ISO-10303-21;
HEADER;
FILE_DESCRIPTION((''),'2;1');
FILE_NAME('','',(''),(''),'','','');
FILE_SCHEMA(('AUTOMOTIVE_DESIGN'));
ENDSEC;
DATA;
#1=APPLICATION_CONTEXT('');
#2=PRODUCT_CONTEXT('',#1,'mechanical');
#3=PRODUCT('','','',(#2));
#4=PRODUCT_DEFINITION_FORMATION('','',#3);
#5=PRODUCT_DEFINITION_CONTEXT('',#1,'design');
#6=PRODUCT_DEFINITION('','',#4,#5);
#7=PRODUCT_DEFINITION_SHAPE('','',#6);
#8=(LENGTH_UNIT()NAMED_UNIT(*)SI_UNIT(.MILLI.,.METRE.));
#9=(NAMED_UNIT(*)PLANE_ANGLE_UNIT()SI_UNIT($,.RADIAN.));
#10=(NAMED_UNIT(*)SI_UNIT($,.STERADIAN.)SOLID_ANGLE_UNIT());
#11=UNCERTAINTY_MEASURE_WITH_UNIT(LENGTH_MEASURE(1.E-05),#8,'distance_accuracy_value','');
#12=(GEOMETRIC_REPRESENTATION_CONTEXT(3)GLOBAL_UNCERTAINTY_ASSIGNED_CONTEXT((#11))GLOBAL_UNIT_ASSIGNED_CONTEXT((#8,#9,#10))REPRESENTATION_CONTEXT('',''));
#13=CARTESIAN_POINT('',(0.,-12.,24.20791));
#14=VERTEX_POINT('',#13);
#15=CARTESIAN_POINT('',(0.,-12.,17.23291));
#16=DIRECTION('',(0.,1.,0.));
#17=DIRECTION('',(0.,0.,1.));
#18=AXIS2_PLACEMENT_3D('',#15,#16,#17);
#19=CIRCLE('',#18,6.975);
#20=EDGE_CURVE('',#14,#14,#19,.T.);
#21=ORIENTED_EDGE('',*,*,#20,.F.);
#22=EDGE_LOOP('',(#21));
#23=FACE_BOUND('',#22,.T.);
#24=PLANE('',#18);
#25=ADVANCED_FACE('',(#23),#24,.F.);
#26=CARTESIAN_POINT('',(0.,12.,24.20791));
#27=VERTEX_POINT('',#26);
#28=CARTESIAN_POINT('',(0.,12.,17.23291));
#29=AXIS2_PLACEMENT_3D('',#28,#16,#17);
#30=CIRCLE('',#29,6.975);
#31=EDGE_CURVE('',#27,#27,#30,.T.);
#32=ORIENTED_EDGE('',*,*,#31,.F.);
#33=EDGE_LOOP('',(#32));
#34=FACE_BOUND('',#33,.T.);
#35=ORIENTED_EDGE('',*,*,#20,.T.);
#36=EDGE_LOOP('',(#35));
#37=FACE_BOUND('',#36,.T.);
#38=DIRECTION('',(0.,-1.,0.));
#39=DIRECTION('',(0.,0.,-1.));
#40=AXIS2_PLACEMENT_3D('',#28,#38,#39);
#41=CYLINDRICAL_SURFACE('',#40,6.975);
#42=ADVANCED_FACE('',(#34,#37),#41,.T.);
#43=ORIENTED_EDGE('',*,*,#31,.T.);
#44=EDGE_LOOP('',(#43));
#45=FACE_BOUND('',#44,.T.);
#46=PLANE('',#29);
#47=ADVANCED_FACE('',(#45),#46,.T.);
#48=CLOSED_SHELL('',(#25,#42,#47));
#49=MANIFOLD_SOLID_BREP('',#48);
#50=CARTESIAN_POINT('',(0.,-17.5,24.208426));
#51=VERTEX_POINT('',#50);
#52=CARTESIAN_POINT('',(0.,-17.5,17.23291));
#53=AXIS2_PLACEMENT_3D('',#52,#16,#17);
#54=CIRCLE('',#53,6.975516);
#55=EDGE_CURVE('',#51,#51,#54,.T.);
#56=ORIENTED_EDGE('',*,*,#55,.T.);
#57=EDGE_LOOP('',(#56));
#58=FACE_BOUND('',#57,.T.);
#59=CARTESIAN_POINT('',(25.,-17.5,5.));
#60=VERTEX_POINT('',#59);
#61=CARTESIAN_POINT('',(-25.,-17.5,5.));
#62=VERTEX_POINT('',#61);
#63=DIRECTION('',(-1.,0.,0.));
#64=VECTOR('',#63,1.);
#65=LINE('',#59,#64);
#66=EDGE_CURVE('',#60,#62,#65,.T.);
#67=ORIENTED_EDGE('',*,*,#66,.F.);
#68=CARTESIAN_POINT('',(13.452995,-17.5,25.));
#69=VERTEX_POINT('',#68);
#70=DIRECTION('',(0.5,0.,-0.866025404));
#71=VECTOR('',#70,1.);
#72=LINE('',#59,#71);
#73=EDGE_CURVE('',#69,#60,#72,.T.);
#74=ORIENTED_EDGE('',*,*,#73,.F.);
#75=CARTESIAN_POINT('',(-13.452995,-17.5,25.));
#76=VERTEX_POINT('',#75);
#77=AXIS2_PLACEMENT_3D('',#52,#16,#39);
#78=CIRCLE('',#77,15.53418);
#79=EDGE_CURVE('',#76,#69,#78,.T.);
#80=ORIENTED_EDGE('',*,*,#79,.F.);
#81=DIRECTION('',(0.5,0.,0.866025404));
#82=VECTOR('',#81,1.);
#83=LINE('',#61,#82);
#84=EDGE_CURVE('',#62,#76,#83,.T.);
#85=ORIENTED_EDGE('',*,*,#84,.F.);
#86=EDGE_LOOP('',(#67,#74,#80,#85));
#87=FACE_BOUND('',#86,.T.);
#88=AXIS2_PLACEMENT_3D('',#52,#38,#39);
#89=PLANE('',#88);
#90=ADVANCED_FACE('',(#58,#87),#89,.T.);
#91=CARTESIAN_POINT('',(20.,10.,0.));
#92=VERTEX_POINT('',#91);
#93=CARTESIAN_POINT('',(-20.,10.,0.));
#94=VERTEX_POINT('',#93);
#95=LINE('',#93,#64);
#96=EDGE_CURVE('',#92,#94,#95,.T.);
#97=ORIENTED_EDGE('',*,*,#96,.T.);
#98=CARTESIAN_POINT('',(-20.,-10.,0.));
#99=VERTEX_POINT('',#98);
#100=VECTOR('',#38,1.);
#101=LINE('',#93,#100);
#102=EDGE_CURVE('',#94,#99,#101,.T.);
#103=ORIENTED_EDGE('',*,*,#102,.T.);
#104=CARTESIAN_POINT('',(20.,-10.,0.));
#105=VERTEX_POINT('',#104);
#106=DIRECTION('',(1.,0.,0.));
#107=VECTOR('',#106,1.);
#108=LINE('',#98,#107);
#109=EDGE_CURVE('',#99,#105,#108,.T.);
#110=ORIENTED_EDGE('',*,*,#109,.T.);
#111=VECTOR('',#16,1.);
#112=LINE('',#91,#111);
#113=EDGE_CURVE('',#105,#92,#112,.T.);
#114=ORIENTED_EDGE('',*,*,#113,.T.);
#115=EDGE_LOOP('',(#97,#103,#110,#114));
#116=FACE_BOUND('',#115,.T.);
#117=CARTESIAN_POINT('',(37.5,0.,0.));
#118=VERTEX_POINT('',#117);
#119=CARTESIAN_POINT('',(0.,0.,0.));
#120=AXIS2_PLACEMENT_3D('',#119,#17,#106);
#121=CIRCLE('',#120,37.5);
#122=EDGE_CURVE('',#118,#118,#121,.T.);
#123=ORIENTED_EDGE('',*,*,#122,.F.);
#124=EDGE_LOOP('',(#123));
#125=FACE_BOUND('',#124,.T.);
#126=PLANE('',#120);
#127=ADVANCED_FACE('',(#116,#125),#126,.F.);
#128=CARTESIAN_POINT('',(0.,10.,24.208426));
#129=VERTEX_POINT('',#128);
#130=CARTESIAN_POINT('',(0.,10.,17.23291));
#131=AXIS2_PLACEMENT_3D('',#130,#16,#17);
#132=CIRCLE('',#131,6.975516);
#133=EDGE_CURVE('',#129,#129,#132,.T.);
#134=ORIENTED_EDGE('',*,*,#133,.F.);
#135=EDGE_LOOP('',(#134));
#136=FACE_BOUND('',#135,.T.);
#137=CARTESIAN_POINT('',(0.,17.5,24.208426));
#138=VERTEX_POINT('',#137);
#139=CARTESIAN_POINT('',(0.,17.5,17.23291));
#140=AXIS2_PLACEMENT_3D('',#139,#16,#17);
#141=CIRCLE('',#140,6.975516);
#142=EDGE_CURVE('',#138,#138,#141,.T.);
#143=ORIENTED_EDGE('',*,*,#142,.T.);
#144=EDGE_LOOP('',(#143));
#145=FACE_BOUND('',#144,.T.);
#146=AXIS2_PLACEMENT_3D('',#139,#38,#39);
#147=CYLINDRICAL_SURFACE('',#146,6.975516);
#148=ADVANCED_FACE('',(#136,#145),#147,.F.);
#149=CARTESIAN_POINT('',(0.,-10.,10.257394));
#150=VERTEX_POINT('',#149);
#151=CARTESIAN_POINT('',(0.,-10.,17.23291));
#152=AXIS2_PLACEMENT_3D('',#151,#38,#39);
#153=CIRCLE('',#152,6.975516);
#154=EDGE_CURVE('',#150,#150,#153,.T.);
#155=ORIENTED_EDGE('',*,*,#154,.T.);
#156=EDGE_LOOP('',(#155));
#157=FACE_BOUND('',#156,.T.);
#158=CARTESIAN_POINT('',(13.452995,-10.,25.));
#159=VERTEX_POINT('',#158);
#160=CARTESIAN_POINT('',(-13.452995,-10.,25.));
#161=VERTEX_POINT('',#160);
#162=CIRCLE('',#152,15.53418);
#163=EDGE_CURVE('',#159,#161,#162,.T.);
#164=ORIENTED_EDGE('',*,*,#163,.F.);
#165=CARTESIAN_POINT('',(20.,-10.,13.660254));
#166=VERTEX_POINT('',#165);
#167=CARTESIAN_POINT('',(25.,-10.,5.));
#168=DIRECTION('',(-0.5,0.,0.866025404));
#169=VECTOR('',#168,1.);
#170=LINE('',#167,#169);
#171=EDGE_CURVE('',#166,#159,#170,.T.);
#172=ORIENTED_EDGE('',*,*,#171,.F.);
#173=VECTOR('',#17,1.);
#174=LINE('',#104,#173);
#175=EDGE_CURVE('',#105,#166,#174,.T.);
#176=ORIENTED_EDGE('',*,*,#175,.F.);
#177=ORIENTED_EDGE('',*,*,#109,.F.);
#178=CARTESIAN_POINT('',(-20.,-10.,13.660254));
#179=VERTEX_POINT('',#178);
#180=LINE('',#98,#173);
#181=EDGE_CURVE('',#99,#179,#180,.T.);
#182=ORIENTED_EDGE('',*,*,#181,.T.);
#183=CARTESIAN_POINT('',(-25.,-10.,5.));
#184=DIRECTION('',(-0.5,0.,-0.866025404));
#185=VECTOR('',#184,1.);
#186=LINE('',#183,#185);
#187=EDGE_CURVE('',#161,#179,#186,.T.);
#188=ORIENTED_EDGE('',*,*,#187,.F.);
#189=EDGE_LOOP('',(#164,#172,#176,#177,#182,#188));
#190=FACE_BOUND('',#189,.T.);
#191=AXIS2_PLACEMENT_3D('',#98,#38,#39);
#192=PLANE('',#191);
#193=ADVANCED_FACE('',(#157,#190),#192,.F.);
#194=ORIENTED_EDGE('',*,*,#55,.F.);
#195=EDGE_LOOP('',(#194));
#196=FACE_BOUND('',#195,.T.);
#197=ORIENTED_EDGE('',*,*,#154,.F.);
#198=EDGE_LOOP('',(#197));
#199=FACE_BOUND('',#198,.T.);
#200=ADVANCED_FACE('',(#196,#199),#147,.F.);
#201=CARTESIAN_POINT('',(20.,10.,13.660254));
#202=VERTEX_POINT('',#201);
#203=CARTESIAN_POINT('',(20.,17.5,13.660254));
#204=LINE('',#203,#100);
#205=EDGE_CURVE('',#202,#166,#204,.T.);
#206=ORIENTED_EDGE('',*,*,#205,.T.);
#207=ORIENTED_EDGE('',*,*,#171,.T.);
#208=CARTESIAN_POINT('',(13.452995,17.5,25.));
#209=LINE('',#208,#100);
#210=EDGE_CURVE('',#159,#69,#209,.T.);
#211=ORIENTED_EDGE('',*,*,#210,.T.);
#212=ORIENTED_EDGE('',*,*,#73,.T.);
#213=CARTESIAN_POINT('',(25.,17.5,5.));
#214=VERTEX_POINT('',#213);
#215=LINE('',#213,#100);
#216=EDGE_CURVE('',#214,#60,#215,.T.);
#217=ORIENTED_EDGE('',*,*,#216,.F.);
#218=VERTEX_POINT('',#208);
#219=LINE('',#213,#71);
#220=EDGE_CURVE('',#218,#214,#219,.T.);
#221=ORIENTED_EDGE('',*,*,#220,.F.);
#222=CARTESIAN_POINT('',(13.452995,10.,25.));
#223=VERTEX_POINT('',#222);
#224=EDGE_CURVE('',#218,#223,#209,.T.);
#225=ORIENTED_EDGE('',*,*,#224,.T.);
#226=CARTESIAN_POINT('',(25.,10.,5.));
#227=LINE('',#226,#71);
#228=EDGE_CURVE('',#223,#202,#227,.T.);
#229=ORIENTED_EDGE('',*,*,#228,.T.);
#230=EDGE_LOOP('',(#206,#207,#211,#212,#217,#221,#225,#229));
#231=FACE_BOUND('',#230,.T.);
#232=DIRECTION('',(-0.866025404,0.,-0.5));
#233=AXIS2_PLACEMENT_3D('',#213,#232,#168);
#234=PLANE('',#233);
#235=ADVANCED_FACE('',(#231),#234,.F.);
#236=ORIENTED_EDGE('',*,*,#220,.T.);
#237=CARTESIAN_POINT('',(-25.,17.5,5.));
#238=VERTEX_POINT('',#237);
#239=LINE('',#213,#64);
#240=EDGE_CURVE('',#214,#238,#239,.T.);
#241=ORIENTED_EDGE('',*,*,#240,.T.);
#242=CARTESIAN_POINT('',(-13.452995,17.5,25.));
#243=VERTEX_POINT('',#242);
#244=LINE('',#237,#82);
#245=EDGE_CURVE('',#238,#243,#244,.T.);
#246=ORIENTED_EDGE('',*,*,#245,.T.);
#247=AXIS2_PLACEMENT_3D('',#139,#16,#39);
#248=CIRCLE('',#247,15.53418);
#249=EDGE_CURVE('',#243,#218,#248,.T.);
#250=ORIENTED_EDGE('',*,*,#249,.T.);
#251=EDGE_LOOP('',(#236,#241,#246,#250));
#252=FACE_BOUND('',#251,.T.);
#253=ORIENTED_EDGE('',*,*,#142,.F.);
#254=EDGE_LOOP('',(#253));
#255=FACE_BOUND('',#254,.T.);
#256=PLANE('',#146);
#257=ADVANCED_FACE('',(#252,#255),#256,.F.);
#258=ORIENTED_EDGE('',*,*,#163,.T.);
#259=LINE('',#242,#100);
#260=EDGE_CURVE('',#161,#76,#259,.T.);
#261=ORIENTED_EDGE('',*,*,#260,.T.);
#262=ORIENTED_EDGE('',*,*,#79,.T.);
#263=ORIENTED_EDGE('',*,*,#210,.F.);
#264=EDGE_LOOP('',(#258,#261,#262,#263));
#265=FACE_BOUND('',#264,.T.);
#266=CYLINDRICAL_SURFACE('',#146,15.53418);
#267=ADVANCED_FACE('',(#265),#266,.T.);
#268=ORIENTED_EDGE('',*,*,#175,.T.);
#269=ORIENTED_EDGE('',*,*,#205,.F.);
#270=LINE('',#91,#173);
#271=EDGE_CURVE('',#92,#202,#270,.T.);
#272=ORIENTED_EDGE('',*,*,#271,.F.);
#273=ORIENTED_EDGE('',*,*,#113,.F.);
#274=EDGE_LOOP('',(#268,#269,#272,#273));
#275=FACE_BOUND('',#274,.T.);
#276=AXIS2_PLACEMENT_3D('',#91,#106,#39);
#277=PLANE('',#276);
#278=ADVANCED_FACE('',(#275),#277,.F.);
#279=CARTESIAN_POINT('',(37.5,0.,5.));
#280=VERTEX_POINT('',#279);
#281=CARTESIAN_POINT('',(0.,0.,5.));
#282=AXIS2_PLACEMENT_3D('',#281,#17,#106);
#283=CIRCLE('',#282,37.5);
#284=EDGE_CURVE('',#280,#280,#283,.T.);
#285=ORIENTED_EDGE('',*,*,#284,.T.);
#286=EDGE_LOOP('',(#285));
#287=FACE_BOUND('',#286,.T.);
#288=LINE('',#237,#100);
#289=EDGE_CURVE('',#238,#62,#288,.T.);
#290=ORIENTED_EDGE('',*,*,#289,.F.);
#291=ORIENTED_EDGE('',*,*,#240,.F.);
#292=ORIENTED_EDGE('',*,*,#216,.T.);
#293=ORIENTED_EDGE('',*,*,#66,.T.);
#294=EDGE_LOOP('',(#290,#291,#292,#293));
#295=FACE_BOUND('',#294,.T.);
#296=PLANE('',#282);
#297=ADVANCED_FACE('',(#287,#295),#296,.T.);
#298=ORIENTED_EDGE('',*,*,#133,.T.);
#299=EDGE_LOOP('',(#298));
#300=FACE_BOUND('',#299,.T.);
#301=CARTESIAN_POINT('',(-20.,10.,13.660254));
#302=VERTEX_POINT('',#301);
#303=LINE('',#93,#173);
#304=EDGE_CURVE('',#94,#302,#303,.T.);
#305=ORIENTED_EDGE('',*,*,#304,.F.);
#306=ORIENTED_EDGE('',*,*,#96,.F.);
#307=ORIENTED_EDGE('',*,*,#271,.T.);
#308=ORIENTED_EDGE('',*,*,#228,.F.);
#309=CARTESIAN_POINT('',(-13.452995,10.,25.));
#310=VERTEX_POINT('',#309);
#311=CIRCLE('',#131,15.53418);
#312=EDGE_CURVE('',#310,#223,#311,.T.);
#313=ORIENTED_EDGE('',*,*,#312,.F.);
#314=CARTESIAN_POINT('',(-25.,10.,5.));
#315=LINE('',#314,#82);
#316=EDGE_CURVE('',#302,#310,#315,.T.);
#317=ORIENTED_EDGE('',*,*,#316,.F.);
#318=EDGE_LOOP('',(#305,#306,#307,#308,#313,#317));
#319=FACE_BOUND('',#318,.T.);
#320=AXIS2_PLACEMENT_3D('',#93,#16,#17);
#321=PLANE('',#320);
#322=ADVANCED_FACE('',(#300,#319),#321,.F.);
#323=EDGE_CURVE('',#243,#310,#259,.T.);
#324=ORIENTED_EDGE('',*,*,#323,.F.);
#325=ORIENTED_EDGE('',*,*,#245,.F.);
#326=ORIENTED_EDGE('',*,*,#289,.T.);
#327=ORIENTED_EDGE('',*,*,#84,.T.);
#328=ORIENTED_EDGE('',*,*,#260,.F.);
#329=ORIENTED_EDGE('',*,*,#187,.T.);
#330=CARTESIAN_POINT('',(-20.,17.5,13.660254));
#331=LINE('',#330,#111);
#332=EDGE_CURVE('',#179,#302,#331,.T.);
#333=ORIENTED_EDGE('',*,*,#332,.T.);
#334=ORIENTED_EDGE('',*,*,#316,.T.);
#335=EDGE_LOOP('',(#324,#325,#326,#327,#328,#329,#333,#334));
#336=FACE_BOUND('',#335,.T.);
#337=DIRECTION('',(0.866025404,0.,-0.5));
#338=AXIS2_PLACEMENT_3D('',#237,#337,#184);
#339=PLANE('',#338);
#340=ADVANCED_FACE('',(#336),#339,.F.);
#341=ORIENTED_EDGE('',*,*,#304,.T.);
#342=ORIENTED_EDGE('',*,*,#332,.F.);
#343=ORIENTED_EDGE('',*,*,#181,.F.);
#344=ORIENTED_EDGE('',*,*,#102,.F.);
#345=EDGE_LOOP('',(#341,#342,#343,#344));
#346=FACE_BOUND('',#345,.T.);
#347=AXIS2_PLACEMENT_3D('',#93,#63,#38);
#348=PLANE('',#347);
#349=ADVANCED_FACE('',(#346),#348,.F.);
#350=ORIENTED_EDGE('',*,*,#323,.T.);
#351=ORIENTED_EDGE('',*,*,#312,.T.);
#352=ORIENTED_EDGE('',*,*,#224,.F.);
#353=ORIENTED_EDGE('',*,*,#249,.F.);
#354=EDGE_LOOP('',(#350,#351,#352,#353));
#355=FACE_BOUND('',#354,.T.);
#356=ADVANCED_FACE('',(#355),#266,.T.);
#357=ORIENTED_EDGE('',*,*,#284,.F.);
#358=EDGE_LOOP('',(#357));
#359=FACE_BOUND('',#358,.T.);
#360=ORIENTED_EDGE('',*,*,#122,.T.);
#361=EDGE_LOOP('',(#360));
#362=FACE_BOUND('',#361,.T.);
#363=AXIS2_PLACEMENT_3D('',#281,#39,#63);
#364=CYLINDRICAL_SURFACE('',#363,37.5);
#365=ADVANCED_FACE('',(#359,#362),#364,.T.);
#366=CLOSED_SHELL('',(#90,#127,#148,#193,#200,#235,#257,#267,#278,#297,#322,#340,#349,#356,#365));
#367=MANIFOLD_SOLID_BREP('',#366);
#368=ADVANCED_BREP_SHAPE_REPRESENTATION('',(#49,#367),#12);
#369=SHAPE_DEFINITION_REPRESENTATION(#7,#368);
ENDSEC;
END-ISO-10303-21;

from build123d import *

# Parameters (mm, degrees)
SKETCH2_R               = 37.5
EXTRUDE1_DEPTH          = 5
SKETCH4_R               = 6.975515666
EXTRUDE2_DEPTH          = 17.5
SKETCH5_W               = 40
SKETCH5_H               = 20
CUT_EXTRUDE3_DEPTH      = 28.767090063
CUT_EXTRUDE3_DEPTH_BACK = 6
SKETCH6_R               = 6.975
EXTRUDE3_DEPTH          = 22
EXTRUDE3_DEPTH_BACK     = 2


with BuildPart() as part:
    # Sketch2 → Extrude1 (new body)
    with BuildSketch(Plane.XY):
        Circle(SKETCH2_R)
    extrude(amount=EXTRUDE1_DEPTH)

    # Sketch4 → Extrude2 (add, symmetric)
    with BuildSketch(Plane(origin=(0, 0, 0), x_dir=(-1, 0, 0), z_dir=(0, 1, 0))):
        with BuildLine():
            Line((-25, 5), (25, 5))
            Line((25, 5), (13.452994616, 25))
            ThreePointArc((13.452994616, 25), (0, 32.767090063), (-13.452994616, 25))
            Line((-13.452994616, 25), (-25, 5))
        make_face()
        with Locations((0, 17.232909937)):
            Circle(SKETCH4_R, mode=Mode.SUBTRACT)
    extrude(amount=EXTRUDE2_DEPTH, both=True)

    # Sketch5 → Cut-Extrude3 (cut, two sides)
    with BuildSketch(Plane.XY.offset(5)) as cut_extrude3_sk:
        Rectangle(SKETCH5_W, SKETCH5_H)
    extrude(amount=CUT_EXTRUDE3_DEPTH, mode=Mode.SUBTRACT)
    extrude(cut_extrude3_sk.sketch, amount=-CUT_EXTRUDE3_DEPTH_BACK, mode=Mode.SUBTRACT)


with BuildPart() as body_2:
    # Sketch6 → Extrude3 (new body, two sides)
    with BuildSketch(Plane(origin=(0, -10, 0), x_dir=(-1, 0, 0), z_dir=(0, 1, 0))) as extrude3_sk:
        with Locations((0, 17.232909937)):
            Circle(SKETCH6_R)
    extrude(amount=EXTRUDE3_DEPTH)
    extrude(extrude3_sk.sketch, amount=-EXTRUDE3_DEPTH_BACK)


solid = Compound([part.part, body_2.part])
